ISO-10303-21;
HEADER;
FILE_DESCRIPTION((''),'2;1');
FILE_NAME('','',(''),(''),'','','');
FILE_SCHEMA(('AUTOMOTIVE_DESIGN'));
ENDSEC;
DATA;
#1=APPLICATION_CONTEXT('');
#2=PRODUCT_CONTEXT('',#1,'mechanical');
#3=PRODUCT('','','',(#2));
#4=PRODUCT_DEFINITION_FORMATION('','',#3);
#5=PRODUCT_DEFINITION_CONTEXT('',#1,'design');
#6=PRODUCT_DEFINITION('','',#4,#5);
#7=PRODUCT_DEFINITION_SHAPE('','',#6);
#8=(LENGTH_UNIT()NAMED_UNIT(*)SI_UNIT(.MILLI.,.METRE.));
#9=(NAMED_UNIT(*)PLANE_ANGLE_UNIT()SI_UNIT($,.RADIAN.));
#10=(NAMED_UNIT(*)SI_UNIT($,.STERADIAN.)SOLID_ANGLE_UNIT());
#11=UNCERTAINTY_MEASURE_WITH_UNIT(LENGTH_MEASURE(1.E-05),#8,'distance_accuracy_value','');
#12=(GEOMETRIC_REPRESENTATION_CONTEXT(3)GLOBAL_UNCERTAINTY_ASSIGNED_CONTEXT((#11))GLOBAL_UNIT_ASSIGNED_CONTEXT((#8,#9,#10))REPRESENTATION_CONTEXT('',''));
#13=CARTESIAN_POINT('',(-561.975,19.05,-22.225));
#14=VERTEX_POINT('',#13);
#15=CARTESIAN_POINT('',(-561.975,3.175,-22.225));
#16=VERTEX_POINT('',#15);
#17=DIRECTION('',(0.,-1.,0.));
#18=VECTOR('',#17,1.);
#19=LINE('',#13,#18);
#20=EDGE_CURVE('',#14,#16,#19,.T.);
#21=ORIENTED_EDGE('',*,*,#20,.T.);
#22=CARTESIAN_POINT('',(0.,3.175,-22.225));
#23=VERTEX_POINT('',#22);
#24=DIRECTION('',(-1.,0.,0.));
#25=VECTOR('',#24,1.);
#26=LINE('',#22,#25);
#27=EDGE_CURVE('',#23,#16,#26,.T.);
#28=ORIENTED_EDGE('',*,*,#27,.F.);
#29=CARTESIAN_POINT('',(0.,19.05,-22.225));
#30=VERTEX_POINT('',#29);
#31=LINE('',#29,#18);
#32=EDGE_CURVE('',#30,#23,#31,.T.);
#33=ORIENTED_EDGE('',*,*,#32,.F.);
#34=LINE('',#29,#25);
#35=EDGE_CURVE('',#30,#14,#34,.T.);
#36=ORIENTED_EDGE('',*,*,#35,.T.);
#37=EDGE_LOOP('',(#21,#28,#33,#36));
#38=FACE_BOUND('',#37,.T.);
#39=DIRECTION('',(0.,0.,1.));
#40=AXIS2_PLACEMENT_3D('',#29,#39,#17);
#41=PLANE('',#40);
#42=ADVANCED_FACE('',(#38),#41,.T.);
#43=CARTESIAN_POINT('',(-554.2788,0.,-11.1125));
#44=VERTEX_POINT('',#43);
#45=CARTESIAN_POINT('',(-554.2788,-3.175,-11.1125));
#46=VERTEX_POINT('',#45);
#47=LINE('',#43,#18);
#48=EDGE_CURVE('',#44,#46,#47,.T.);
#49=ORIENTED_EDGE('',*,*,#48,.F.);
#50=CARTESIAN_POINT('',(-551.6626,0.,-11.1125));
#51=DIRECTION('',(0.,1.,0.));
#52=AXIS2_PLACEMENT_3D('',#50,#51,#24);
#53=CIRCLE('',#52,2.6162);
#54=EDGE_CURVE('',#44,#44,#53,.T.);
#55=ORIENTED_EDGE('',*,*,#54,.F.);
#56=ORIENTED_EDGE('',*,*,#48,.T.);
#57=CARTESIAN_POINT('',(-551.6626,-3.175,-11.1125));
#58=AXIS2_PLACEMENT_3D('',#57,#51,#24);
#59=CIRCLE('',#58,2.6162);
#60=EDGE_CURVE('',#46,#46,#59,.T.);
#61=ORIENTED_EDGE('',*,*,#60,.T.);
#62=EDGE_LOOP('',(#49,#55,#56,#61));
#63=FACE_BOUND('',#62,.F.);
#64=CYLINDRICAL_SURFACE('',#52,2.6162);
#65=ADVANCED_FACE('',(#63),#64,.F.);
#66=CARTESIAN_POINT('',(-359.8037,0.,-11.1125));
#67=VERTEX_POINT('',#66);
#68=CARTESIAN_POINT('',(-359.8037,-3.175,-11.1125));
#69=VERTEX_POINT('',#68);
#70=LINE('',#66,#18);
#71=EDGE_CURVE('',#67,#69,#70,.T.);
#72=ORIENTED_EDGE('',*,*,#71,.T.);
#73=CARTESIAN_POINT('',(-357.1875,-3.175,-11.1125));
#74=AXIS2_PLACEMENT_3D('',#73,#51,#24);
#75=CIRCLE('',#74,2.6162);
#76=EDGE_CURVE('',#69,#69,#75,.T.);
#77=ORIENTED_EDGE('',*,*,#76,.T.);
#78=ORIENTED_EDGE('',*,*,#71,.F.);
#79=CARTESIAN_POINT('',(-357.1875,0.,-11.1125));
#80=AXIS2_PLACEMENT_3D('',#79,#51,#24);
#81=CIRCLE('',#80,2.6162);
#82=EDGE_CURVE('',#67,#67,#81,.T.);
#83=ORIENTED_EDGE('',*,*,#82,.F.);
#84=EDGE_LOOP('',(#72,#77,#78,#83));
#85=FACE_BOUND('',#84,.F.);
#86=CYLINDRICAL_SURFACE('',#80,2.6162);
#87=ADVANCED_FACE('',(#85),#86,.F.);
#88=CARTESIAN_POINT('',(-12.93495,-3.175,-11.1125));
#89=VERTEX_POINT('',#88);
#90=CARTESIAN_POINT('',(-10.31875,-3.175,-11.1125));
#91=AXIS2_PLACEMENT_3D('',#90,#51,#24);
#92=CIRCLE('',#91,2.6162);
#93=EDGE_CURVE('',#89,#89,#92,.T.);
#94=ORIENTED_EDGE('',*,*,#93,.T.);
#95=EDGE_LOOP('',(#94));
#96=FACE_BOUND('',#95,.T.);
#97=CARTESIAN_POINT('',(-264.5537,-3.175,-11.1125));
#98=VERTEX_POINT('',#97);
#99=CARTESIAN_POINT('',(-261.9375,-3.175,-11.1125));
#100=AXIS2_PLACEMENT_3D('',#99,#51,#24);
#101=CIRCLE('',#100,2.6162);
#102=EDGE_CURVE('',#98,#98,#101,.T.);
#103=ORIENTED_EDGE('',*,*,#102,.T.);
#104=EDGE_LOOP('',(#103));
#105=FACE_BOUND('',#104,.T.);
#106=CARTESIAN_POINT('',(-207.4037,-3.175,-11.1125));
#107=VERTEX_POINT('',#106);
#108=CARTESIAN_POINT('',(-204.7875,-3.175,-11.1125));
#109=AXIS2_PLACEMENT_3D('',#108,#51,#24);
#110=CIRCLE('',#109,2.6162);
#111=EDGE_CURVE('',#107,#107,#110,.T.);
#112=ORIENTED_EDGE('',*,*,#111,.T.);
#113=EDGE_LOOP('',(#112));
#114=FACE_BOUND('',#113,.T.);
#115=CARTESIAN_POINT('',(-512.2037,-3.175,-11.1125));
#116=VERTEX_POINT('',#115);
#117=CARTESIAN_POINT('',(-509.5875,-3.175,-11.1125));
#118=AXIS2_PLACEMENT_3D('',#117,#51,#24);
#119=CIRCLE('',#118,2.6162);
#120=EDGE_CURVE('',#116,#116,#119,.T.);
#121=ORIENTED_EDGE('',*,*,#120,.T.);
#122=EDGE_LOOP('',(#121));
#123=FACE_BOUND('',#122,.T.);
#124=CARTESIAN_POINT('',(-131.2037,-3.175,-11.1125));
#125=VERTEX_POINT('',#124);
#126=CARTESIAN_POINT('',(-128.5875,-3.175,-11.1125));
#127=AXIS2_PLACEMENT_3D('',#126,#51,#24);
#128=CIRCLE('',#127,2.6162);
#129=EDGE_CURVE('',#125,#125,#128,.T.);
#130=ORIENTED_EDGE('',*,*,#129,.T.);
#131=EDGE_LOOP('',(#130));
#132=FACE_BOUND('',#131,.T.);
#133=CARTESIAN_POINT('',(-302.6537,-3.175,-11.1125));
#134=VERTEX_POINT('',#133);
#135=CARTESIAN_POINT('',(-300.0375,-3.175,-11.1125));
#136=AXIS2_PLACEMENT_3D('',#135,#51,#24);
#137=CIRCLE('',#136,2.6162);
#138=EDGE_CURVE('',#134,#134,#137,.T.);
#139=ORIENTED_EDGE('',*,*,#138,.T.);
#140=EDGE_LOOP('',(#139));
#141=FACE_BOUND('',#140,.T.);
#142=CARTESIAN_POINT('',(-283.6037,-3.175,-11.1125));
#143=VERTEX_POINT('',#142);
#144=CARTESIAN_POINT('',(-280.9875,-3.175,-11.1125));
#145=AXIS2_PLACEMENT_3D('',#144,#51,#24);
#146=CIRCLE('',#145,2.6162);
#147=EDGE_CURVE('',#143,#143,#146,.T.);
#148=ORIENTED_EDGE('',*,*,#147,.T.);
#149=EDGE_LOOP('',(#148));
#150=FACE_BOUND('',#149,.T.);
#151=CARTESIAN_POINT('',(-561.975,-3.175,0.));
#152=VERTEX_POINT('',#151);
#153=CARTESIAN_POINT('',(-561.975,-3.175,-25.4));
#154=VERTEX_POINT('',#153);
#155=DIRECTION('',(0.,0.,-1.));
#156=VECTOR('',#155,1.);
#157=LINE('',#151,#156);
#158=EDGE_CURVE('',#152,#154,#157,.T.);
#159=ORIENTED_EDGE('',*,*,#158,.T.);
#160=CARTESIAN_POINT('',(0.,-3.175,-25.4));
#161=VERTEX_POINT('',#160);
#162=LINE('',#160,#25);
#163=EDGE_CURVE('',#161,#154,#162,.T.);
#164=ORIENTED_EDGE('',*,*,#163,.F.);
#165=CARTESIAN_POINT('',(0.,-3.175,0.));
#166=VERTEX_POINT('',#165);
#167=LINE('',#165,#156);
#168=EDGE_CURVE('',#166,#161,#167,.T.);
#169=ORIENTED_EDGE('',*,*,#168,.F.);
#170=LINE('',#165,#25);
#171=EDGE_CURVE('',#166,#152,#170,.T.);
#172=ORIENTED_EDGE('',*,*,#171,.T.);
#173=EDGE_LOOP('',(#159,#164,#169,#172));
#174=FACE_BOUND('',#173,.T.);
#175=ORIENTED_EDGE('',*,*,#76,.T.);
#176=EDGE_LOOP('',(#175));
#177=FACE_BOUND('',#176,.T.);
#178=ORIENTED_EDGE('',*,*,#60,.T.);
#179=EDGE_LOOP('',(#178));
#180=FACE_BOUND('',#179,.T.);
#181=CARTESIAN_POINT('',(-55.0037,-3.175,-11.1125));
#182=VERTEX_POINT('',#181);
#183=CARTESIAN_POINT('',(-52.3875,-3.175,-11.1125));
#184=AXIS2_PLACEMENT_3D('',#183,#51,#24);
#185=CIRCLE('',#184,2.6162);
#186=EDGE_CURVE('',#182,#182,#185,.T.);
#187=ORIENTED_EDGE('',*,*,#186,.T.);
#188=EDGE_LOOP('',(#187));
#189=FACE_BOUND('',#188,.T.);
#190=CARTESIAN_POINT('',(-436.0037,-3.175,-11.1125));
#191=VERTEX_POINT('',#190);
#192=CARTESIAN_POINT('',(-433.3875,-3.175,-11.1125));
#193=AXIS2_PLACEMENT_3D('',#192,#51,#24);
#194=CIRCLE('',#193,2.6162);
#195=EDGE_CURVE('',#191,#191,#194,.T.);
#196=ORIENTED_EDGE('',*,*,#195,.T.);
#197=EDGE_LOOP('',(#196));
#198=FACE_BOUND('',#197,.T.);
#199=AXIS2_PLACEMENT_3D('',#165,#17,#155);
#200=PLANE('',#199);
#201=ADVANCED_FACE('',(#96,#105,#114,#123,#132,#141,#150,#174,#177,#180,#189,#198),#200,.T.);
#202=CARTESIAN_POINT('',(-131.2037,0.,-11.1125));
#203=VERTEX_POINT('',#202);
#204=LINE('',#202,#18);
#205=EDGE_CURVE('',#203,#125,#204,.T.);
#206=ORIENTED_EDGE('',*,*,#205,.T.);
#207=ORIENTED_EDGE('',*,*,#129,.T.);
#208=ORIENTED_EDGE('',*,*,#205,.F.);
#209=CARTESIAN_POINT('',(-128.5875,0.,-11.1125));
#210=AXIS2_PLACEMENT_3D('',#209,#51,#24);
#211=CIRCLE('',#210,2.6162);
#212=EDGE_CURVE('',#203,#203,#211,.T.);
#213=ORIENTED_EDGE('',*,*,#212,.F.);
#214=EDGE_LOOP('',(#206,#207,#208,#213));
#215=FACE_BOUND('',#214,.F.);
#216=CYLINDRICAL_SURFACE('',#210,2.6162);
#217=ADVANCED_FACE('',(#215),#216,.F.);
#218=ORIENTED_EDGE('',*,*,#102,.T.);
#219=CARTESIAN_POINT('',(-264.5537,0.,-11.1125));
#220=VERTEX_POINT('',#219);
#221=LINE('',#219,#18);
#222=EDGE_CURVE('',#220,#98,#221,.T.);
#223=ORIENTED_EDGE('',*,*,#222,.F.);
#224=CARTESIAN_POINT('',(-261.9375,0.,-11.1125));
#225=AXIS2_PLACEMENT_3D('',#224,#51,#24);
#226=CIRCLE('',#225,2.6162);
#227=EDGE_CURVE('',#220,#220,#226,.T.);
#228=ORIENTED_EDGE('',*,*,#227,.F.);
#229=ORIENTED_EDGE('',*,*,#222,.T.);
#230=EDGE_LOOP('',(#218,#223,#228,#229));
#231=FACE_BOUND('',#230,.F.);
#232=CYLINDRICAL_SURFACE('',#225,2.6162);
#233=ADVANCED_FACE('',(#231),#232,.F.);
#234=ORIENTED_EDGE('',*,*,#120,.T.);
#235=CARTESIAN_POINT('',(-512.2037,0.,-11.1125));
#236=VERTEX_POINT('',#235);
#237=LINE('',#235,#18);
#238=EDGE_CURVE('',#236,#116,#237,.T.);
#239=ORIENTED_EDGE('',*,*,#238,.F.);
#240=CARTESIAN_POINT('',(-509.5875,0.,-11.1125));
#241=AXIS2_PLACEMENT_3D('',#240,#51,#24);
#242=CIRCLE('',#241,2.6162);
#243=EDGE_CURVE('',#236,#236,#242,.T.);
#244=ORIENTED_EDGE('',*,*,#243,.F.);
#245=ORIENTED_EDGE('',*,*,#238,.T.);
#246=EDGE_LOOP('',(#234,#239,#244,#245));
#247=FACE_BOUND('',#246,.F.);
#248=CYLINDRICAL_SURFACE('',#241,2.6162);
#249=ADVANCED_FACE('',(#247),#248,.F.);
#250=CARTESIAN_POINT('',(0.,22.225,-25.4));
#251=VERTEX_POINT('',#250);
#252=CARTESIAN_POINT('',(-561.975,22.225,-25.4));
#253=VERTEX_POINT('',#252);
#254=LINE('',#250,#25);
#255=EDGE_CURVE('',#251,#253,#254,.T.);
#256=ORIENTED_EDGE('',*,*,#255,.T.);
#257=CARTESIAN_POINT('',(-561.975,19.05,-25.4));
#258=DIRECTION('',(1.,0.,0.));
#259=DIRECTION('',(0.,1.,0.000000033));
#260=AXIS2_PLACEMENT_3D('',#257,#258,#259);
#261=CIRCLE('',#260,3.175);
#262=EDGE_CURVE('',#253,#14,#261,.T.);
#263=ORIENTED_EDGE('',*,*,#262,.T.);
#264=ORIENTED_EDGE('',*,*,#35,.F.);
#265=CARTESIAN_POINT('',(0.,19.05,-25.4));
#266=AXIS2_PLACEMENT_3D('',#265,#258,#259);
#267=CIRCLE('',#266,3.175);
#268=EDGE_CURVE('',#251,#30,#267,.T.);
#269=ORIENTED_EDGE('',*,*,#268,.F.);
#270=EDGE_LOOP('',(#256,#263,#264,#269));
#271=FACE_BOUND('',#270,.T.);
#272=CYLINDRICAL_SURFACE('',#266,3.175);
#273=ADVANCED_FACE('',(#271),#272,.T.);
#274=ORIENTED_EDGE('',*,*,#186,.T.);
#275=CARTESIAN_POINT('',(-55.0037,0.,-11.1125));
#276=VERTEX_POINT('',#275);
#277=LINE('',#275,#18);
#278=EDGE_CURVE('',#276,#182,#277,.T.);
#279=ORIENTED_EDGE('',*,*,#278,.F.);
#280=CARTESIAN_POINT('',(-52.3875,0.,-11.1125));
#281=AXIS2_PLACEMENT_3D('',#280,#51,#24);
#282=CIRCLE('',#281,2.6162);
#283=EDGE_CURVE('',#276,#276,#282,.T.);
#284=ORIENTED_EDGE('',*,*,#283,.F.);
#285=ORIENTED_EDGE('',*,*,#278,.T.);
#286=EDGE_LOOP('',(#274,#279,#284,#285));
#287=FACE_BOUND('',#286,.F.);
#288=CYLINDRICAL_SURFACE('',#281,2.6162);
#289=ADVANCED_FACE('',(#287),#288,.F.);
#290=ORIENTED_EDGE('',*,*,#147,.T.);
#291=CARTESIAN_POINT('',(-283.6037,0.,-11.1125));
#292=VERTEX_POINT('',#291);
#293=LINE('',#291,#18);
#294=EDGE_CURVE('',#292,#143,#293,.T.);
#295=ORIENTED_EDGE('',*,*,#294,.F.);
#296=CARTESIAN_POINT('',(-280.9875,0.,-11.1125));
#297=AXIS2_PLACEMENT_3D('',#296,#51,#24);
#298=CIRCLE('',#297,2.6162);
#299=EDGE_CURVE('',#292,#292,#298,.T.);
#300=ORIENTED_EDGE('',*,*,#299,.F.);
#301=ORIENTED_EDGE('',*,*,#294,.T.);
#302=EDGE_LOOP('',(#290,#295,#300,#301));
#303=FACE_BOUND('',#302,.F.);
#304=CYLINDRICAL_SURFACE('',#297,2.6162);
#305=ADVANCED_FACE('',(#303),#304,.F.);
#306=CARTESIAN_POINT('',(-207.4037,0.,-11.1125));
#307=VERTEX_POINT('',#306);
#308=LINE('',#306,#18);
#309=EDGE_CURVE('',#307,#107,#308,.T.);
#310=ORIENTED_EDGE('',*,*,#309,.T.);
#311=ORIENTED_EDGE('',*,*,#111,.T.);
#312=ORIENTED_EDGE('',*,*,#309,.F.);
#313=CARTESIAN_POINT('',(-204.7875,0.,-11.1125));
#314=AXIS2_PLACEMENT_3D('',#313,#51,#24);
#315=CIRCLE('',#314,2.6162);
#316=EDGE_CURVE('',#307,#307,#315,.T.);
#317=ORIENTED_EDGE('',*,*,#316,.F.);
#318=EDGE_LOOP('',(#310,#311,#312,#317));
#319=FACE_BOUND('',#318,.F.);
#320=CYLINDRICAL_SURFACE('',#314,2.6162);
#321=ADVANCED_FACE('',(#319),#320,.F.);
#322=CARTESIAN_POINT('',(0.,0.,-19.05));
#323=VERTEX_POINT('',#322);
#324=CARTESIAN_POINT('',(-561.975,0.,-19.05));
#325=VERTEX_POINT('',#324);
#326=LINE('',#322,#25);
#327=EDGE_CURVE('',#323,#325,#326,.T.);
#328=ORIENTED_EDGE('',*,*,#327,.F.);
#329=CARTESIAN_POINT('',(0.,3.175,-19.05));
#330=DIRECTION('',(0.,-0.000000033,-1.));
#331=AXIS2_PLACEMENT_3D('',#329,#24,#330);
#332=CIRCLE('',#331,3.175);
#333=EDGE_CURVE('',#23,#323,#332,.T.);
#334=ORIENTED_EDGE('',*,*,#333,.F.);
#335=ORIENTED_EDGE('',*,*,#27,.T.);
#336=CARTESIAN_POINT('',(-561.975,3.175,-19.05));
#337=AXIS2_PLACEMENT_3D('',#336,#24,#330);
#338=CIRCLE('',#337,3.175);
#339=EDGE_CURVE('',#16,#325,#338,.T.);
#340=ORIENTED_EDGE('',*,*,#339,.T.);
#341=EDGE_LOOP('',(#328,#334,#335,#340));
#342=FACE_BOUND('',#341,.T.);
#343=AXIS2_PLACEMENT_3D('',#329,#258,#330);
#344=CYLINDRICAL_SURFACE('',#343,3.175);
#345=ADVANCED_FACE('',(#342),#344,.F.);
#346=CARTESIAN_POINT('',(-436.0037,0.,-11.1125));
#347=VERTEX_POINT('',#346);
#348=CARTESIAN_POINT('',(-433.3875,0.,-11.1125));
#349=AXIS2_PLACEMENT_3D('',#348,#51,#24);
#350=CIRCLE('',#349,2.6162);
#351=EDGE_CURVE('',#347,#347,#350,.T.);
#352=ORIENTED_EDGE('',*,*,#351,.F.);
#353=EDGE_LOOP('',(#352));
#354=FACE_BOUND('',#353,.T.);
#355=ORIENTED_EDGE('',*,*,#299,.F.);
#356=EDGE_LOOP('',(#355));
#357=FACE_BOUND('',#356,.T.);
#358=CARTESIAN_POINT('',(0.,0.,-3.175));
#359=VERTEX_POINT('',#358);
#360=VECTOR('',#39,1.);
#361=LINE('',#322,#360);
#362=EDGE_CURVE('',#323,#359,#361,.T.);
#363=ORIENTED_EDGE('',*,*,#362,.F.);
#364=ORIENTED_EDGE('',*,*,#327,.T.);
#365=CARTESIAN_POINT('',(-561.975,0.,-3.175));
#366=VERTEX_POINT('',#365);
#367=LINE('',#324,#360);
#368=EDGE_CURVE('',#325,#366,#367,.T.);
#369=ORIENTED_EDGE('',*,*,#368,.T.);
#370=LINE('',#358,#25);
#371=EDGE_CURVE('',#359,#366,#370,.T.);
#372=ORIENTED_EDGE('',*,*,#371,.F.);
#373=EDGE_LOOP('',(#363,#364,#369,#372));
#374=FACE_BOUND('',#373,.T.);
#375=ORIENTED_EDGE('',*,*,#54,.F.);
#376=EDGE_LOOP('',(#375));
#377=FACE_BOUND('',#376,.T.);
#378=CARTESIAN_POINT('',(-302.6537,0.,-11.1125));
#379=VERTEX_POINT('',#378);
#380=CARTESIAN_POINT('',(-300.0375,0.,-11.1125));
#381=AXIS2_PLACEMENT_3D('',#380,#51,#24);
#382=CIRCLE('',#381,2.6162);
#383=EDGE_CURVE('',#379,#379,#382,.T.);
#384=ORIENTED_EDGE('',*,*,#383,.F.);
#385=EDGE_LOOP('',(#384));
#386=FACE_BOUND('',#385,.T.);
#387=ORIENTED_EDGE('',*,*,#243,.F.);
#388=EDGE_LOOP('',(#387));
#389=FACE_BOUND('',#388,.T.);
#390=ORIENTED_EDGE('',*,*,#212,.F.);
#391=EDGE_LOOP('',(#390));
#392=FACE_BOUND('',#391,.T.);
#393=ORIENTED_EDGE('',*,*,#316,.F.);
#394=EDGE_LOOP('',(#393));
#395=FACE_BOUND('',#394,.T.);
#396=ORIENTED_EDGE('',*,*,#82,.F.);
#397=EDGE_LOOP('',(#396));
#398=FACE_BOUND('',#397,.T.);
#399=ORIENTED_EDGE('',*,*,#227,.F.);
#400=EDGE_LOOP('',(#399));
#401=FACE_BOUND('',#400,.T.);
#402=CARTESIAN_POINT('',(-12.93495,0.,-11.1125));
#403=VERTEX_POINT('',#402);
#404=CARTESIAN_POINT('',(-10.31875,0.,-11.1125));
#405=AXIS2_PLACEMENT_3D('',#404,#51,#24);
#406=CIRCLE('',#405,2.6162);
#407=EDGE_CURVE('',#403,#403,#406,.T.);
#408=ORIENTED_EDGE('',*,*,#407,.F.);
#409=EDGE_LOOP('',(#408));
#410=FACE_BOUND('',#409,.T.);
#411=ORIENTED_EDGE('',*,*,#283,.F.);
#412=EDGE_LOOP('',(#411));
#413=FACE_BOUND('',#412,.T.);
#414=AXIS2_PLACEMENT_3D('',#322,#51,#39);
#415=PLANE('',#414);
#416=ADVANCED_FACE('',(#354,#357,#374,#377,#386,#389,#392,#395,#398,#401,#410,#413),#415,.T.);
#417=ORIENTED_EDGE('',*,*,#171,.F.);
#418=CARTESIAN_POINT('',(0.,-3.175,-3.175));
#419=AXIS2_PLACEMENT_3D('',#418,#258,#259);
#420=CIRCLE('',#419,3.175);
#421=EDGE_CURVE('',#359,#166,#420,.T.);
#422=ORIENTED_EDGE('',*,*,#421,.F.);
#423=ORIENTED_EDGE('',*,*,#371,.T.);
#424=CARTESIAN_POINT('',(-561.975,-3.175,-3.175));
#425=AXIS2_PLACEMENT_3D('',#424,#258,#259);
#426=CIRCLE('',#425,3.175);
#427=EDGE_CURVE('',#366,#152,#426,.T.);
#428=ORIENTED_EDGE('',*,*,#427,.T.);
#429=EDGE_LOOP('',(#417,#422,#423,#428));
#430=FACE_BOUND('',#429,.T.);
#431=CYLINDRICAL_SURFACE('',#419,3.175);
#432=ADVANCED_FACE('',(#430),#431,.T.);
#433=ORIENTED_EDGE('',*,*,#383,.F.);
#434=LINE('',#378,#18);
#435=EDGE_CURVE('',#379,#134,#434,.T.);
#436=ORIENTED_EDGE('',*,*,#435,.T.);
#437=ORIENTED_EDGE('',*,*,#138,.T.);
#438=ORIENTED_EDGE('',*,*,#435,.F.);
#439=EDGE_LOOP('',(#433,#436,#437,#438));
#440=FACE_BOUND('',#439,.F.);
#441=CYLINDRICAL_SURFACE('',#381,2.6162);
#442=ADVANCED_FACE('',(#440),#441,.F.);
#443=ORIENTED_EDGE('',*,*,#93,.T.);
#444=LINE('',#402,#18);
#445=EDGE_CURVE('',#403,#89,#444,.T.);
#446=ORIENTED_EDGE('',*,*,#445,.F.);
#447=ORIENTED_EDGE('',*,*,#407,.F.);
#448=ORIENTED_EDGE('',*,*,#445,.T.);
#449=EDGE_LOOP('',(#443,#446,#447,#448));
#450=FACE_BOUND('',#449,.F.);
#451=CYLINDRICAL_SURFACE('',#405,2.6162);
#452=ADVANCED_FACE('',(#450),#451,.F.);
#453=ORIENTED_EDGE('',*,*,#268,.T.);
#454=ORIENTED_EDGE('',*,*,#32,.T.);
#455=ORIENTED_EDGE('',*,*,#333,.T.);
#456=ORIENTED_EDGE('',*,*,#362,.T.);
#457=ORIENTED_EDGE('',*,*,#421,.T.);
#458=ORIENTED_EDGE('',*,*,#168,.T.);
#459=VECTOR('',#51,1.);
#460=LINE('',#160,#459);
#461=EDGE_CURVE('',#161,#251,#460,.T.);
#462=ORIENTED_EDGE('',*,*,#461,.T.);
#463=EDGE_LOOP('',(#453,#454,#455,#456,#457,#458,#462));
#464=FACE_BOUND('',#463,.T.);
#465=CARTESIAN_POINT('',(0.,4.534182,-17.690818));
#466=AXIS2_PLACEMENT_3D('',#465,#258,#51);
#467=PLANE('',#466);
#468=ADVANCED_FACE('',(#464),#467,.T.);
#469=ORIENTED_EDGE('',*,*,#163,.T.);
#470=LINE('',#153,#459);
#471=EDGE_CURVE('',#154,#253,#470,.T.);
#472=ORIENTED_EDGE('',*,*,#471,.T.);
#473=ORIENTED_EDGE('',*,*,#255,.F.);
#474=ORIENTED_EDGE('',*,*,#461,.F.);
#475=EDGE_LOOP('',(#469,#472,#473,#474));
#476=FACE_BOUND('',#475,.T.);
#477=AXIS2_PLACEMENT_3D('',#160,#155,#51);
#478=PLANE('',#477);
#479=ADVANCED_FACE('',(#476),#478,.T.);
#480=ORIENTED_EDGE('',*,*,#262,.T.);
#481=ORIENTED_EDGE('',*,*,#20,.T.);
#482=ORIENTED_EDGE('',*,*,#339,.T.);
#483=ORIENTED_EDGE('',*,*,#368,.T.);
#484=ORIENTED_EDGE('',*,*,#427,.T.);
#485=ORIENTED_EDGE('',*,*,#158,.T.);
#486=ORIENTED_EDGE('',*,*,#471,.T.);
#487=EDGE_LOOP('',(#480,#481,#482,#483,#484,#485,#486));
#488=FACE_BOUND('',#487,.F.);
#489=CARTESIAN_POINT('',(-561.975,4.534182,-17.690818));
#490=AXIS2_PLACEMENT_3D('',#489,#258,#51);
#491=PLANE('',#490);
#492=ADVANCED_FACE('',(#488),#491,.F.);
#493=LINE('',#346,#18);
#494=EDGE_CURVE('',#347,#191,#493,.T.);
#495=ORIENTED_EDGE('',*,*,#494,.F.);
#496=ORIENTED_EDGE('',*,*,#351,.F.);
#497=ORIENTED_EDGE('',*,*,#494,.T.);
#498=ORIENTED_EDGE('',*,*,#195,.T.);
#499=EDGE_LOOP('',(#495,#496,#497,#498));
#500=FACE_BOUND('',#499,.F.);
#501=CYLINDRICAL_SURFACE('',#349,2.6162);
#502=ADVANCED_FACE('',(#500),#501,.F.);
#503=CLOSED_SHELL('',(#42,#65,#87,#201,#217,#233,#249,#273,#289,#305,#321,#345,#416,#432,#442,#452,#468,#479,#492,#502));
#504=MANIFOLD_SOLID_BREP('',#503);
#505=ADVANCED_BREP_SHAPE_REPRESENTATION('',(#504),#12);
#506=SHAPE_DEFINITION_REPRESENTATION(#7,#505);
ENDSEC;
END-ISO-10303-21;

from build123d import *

# Parameters (mm, degrees)
F1_DEPTH = 561.975
F2_R     = 2.6162
F3_DEPTH = 25.4


with BuildPart() as f1:
    # F0 (on Right) → F1 (new body)
    with BuildSketch(Plane.YZ):
        with BuildLine():
            Line((0, -19.05), (0, -3.175))
            ThreePointArc((0, -3.175), (-0.929936, -0.929936), (-3.175, 0))
            Line((-3.175, 0), (-3.175, -25.4))
            Line((-3.175, -25.4), (22.225, -25.4))
            ThreePointArc((22.225, -25.4), (21.295064, -23.154936), (19.05, -22.225))
            Line((19.05, -22.225), (3.175, -22.225))
            ThreePointArc((3.175, -22.225), (0.929936, -21.295064), (0, -19.05))
        make_face()
    extrude(amount=-F1_DEPTH)

    # F2 (on face) → F3 (cut)
    with BuildSketch(Plane(origin=(0, 0, 0), x_dir=(-1, 0, 0), z_dir=(0, 1, 0))):
        with Locations((10.31875, -11.1125)):
            Circle(F2_R)
        with Locations((280.9875, -11.1125)):
            Circle(F2_R)
        with Locations((551.6626, -11.1125)):
            Circle(F2_R)
        with Locations((128.5875, -11.1125)):
            Circle(F2_R)
        with Locations((204.7875, -11.1125)):
            Circle(F2_R)
        with Locations((357.1875, -11.1125)):
            Circle(F2_R)
        with Locations((433.3875, -11.1125)):
            Circle(F2_R)
        with Locations((509.5875, -11.1125)):
            Circle(F2_R)
        with Locations((52.3875, -11.1125)):
            Circle(F2_R)
        with Locations((261.9375, -11.1125)):
            Circle(F2_R)
        with Locations((300.0375, -11.1125)):
            Circle(F2_R)
    extrude(amount=-F3_DEPTH, mode=Mode.SUBTRACT)


solid = f1.part
